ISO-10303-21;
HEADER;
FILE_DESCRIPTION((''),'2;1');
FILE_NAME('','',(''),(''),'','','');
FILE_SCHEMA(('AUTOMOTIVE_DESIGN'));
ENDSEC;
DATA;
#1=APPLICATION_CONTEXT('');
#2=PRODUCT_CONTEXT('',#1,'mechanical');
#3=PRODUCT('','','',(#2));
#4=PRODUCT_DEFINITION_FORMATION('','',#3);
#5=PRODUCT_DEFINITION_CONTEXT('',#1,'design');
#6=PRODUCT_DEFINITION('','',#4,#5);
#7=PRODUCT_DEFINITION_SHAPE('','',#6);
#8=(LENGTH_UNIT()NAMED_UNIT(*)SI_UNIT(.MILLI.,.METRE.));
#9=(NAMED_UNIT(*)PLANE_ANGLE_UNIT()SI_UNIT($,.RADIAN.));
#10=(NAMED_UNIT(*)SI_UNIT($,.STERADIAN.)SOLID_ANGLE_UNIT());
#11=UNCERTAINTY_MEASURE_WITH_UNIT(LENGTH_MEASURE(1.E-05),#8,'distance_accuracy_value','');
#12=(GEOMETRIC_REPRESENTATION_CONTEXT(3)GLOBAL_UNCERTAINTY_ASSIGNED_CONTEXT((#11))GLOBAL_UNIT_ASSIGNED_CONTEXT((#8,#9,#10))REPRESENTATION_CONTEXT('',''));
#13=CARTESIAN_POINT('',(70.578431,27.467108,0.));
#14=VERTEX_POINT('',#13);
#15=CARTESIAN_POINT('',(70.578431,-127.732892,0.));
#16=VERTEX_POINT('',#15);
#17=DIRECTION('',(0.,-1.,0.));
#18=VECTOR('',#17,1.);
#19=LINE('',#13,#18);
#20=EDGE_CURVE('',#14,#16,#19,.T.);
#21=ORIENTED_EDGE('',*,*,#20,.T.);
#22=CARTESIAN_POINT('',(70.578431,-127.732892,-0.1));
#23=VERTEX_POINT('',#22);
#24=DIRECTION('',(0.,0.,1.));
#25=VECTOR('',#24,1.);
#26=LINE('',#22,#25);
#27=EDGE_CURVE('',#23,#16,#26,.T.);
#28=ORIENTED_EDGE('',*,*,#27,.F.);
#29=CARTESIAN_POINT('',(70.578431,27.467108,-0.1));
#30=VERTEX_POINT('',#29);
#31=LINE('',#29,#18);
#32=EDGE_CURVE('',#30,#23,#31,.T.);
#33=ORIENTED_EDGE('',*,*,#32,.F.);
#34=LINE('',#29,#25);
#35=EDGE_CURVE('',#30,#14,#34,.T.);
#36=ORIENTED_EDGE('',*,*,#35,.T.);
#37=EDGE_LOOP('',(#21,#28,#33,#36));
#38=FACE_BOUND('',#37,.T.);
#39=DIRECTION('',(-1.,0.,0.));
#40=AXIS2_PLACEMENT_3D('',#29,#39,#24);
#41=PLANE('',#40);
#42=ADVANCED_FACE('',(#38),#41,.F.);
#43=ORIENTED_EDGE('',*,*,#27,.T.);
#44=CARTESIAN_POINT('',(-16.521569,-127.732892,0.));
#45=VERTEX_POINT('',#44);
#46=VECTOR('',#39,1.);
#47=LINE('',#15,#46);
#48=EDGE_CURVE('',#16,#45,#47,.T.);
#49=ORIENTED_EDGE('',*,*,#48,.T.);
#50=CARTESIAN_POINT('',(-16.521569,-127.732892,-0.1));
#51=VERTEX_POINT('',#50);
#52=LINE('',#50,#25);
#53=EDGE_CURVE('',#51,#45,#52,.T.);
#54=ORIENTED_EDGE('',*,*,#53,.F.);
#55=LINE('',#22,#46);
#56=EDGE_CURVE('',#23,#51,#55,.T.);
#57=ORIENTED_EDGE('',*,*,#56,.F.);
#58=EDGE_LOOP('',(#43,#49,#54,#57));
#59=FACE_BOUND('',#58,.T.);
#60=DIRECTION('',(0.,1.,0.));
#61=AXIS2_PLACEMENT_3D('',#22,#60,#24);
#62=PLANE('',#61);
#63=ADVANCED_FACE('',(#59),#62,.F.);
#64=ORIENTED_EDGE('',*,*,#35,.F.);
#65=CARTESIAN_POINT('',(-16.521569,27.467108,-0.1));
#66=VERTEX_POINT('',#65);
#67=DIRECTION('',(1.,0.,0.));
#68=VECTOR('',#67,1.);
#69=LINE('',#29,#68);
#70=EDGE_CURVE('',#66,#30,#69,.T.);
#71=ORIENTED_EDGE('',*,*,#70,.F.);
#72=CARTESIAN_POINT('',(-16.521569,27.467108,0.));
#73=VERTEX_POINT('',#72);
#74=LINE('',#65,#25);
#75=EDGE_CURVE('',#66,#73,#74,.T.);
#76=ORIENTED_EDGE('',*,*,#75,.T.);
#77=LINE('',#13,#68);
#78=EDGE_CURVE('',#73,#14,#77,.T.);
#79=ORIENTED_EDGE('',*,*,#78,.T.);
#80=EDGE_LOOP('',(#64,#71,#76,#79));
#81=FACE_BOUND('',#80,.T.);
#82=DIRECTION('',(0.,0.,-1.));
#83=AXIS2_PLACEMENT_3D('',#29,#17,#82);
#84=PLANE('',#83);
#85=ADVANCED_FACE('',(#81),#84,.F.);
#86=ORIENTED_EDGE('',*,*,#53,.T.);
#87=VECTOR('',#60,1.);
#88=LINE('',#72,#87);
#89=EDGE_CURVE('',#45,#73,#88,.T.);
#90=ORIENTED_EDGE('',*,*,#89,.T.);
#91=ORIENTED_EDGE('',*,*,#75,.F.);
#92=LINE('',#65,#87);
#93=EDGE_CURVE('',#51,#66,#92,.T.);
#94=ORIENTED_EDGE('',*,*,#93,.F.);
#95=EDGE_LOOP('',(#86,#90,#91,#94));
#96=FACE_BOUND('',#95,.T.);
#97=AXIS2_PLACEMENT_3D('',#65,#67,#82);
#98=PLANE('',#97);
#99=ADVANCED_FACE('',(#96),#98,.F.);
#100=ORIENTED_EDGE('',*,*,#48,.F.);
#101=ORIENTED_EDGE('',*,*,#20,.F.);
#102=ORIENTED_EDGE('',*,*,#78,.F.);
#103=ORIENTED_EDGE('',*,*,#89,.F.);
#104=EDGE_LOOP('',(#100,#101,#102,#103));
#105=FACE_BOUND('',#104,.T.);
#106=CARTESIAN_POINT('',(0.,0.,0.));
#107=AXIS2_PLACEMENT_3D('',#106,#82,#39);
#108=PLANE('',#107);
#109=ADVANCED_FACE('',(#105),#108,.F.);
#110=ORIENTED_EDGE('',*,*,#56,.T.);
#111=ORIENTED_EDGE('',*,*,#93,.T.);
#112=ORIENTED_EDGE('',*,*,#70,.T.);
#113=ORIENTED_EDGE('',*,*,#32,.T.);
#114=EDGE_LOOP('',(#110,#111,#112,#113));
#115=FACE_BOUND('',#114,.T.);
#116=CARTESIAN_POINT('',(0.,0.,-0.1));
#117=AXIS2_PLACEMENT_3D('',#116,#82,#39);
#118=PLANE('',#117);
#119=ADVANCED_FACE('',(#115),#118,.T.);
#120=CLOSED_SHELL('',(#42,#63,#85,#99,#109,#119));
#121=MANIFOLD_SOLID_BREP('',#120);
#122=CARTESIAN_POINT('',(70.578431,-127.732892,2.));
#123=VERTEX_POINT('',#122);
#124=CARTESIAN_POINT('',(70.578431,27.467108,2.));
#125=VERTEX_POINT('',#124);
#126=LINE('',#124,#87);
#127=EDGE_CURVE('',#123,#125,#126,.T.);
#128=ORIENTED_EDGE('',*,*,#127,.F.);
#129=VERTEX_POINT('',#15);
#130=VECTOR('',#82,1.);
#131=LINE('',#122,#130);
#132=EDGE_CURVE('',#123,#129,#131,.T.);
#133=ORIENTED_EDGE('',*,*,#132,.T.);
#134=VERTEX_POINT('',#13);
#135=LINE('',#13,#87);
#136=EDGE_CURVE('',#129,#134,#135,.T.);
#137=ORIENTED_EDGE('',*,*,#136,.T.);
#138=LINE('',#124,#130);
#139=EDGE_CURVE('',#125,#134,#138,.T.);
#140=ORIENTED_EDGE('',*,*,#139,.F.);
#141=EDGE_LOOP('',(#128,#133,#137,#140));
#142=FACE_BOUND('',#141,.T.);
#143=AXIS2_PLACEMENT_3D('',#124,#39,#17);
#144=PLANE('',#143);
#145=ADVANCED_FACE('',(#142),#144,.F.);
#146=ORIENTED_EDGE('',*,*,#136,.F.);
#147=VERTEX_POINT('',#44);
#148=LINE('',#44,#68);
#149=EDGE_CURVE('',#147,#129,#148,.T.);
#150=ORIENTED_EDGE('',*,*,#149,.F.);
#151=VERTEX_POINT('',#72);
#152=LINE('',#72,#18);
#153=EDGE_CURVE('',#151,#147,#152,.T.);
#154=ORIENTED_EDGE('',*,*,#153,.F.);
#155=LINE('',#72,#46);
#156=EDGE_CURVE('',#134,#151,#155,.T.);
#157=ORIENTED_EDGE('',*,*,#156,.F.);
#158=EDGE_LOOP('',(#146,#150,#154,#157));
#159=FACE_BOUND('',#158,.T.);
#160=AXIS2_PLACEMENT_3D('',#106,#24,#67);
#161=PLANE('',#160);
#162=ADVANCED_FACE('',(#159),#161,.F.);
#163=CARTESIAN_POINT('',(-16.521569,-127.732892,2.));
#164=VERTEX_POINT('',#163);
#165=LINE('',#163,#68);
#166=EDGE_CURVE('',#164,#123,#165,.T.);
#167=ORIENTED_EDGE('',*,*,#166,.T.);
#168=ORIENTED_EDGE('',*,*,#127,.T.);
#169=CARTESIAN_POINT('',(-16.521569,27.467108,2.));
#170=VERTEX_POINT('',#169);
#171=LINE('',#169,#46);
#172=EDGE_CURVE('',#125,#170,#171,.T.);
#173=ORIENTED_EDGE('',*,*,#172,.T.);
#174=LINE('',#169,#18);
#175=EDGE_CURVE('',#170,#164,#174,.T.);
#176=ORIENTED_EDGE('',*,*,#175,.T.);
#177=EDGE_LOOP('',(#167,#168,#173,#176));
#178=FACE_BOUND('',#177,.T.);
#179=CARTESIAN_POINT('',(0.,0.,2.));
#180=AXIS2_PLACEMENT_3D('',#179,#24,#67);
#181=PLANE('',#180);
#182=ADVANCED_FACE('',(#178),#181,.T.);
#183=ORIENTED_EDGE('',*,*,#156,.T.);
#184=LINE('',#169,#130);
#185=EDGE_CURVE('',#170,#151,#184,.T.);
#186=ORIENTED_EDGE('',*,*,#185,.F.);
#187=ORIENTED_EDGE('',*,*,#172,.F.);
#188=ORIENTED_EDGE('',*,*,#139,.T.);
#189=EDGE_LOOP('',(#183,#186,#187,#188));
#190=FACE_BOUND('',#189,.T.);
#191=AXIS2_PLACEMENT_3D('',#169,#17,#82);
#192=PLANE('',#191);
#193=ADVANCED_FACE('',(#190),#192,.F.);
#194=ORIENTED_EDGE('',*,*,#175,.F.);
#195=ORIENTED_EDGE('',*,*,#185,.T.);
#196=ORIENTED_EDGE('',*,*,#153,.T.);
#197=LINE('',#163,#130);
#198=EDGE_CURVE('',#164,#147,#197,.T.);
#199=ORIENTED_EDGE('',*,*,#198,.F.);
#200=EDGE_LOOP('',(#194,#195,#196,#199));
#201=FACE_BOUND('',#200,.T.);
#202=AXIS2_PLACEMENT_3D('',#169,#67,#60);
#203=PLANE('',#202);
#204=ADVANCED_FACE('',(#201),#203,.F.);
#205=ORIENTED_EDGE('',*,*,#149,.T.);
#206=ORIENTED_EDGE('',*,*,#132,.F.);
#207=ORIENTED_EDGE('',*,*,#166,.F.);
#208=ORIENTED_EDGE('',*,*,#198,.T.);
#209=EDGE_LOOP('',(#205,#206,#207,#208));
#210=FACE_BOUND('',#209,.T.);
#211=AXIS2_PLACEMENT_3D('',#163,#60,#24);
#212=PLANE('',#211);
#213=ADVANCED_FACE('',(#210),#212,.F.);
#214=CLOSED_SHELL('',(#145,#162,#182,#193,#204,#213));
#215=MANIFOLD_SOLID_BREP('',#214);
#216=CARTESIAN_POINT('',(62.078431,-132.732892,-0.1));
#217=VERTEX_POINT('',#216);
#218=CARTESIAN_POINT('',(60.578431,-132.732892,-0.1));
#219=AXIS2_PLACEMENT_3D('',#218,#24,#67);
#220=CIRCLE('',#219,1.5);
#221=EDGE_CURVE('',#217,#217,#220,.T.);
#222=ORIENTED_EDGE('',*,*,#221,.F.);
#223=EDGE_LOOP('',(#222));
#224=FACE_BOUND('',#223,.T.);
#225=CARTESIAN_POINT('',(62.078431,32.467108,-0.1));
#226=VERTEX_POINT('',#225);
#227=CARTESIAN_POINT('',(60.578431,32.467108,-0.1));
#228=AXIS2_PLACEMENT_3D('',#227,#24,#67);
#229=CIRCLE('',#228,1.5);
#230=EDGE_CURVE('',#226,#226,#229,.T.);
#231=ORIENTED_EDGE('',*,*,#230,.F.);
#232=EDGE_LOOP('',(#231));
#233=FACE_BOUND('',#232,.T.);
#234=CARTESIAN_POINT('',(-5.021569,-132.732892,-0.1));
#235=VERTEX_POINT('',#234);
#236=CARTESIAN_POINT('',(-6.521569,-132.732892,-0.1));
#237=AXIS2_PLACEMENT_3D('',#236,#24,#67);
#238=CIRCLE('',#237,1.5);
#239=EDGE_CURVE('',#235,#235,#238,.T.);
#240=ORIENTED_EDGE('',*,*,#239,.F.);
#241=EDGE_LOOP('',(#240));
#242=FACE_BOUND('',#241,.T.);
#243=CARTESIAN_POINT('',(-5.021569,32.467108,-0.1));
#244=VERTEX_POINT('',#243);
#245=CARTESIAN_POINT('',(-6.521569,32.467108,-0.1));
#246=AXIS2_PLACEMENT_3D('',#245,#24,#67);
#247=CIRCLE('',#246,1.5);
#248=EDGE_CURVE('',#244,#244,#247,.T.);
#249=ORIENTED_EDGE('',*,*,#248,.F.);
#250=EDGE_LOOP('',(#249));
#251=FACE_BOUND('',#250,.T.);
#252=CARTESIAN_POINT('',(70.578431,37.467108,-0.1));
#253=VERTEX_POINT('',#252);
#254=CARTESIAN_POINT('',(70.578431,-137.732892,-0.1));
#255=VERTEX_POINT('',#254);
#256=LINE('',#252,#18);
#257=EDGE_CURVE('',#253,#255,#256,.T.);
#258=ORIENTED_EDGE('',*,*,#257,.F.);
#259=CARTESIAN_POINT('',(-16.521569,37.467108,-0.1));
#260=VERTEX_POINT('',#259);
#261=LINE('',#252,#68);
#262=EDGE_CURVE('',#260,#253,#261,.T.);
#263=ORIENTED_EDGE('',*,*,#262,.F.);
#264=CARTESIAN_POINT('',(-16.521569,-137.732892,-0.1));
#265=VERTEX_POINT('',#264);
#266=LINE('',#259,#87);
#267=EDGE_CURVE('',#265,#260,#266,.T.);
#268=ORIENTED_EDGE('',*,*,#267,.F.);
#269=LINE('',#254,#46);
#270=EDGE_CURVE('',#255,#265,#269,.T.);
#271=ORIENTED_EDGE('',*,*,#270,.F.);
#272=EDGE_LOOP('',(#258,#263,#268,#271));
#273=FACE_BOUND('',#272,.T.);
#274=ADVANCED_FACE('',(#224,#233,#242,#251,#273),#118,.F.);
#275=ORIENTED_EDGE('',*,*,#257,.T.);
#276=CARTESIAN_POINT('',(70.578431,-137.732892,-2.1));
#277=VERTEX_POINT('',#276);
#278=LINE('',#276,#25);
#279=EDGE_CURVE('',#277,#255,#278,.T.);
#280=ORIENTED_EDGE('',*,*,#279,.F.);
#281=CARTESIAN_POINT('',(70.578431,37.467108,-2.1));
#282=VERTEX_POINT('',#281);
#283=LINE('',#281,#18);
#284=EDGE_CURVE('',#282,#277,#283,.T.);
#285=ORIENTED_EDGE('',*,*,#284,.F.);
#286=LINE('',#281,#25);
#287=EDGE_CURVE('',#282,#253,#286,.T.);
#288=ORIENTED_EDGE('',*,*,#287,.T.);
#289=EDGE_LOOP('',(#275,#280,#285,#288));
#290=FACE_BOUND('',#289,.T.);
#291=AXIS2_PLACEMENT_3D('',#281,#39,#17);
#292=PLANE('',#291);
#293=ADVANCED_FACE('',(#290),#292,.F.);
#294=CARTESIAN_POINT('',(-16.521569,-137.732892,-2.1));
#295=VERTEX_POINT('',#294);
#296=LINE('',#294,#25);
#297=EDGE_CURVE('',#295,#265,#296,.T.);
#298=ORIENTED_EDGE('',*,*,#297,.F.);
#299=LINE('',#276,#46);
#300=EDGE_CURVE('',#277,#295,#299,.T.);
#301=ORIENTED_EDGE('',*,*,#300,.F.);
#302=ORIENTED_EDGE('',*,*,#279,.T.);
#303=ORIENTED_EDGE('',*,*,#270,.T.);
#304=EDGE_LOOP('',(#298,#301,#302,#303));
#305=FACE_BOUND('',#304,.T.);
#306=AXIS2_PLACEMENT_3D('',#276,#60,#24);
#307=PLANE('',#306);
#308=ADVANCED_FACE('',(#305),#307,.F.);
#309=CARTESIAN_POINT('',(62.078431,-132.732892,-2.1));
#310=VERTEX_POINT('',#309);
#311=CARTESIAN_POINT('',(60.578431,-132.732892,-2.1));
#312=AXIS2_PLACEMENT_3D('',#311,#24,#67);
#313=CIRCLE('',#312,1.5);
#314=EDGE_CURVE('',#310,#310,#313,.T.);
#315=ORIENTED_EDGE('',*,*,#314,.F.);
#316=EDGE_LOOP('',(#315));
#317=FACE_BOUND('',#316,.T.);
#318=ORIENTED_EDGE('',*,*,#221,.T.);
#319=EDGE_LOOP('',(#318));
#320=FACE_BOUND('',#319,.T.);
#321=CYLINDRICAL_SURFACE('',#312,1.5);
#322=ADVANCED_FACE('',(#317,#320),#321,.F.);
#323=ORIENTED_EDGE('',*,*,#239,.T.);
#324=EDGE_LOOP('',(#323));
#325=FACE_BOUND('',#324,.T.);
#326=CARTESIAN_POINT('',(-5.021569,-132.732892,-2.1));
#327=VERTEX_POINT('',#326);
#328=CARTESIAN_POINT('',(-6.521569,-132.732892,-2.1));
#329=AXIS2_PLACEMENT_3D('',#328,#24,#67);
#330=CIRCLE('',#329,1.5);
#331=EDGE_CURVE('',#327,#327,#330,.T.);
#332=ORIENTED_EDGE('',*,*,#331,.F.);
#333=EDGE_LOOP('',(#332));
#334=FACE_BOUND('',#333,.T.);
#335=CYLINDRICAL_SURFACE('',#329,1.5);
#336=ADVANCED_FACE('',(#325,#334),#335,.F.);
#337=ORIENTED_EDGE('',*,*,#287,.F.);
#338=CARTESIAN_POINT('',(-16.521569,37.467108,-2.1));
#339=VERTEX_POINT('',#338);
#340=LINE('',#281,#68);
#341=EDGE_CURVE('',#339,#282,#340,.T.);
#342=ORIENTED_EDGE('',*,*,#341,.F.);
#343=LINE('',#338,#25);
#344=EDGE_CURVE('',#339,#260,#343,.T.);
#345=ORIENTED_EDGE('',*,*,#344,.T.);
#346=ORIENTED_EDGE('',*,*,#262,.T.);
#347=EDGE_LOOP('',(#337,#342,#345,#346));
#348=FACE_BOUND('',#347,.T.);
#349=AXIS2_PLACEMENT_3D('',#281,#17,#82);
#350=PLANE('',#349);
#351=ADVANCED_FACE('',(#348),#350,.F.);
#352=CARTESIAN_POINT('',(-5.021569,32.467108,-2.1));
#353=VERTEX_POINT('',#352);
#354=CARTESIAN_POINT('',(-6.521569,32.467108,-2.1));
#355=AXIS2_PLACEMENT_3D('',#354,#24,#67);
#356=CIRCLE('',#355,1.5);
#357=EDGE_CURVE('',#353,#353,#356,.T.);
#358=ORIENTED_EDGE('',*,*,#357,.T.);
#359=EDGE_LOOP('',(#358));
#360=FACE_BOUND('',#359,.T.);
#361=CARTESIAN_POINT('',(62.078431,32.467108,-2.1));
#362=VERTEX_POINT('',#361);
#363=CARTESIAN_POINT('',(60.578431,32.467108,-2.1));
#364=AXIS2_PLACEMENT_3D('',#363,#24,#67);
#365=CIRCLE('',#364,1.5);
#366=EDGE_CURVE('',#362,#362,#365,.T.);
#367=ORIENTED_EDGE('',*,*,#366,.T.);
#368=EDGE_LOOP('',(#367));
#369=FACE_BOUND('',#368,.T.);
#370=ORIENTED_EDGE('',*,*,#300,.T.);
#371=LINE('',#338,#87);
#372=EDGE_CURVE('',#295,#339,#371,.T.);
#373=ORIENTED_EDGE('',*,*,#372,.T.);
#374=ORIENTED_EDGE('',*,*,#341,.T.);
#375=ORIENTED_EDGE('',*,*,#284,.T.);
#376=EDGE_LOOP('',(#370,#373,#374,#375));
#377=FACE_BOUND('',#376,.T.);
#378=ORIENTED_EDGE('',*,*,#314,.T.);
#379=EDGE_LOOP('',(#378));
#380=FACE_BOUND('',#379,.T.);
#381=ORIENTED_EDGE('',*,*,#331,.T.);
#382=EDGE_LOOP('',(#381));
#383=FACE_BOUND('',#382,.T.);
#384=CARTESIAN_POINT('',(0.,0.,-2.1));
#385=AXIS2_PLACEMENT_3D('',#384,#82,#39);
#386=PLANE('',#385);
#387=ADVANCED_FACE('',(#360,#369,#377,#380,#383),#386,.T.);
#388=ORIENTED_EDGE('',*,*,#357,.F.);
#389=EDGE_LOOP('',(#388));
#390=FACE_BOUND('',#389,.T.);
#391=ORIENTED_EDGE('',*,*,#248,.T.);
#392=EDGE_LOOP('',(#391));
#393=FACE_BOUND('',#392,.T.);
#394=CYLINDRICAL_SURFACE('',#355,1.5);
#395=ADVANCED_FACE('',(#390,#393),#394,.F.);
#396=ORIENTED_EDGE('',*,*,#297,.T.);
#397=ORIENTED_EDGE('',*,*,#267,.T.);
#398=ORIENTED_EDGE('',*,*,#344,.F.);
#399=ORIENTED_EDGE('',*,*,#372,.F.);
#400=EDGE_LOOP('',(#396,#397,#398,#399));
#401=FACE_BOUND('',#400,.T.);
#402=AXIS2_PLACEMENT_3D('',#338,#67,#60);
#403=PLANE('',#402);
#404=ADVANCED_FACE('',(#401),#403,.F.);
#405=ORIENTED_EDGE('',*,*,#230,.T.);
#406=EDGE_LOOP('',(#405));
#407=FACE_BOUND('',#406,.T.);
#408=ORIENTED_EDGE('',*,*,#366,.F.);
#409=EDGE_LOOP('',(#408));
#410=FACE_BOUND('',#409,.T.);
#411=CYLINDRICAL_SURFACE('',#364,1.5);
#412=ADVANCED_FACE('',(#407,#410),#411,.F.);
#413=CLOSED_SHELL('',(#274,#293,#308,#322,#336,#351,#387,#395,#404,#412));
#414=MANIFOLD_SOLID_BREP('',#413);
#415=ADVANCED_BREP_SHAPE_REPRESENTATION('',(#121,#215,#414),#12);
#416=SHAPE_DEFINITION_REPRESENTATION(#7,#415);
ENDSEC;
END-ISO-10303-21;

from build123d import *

# Parameters (mm, degrees)
SKETCH1_W           = 87.1
SKETCH1_H           = 155.2
BOSS_EXTRUDE1_DEPTH = 2
SKETCH3_W           = 87.1
SKETCH3_H           = 155.2
BOSS_EXTRUDE3_DEPTH = 0.1
SKETCH4_W           = 87.1
SKETCH4_H           = 175.2
BOSS_EXTRUDE4_DEPTH = 2
SKETCH5_R           = 1.5
CUT_EXTRUDE1_DEPTH  = 2


with BuildPart() as part:
    # Sketch1 → Boss-Extrude1 (new body)
    with BuildSketch(Plane.XY):
        with Locations((27.028431373, -50.132892157)):
            Rectangle(SKETCH1_W, SKETCH1_H)
    extrude(amount=BOSS_EXTRUDE1_DEPTH)


with BuildPart() as body_2:
    # Sketch3 → Boss-Extrude3 (new body)
    with BuildSketch(Plane(origin=(0, 0, 0), x_dir=(-1, 0, 0), z_dir=(0, 0, -1))):
        with Locations((-27.028431373, -50.132892157)):
            Rectangle(SKETCH3_W, SKETCH3_H)
    extrude(amount=BOSS_EXTRUDE3_DEPTH)


with BuildPart() as body_3:
    # Sketch4 → Boss-Extrude4 (new body)
    with BuildSketch(Plane(origin=(0, 0, -0.1), x_dir=(-1, 0, 0), z_dir=(0, 0, -1))):
        with Locations((-27.028431373, -50.132892157)):
            Rectangle(SKETCH4_W, SKETCH4_H)
    extrude(amount=BOSS_EXTRUDE4_DEPTH)

    # Sketch5 → Cut-Extrude1 (cut)
    with BuildSketch(Plane.XY.offset(-0.1)):
        with Locations((-6.521568627, 32.467107843)):
            Circle(SKETCH5_R)
        with Locations((60.578431373, 32.467107843)):
            Circle(SKETCH5_R)
        with Locations((-6.521568627, -132.732892157)):
            Circle(SKETCH5_R)
        with Locations((60.578431373, -132.732892157)):
            Circle(SKETCH5_R)
    extrude(amount=-CUT_EXTRUDE1_DEPTH, mode=Mode.SUBTRACT)


solid = Compound([part.part, body_2.part, body_3.part])
